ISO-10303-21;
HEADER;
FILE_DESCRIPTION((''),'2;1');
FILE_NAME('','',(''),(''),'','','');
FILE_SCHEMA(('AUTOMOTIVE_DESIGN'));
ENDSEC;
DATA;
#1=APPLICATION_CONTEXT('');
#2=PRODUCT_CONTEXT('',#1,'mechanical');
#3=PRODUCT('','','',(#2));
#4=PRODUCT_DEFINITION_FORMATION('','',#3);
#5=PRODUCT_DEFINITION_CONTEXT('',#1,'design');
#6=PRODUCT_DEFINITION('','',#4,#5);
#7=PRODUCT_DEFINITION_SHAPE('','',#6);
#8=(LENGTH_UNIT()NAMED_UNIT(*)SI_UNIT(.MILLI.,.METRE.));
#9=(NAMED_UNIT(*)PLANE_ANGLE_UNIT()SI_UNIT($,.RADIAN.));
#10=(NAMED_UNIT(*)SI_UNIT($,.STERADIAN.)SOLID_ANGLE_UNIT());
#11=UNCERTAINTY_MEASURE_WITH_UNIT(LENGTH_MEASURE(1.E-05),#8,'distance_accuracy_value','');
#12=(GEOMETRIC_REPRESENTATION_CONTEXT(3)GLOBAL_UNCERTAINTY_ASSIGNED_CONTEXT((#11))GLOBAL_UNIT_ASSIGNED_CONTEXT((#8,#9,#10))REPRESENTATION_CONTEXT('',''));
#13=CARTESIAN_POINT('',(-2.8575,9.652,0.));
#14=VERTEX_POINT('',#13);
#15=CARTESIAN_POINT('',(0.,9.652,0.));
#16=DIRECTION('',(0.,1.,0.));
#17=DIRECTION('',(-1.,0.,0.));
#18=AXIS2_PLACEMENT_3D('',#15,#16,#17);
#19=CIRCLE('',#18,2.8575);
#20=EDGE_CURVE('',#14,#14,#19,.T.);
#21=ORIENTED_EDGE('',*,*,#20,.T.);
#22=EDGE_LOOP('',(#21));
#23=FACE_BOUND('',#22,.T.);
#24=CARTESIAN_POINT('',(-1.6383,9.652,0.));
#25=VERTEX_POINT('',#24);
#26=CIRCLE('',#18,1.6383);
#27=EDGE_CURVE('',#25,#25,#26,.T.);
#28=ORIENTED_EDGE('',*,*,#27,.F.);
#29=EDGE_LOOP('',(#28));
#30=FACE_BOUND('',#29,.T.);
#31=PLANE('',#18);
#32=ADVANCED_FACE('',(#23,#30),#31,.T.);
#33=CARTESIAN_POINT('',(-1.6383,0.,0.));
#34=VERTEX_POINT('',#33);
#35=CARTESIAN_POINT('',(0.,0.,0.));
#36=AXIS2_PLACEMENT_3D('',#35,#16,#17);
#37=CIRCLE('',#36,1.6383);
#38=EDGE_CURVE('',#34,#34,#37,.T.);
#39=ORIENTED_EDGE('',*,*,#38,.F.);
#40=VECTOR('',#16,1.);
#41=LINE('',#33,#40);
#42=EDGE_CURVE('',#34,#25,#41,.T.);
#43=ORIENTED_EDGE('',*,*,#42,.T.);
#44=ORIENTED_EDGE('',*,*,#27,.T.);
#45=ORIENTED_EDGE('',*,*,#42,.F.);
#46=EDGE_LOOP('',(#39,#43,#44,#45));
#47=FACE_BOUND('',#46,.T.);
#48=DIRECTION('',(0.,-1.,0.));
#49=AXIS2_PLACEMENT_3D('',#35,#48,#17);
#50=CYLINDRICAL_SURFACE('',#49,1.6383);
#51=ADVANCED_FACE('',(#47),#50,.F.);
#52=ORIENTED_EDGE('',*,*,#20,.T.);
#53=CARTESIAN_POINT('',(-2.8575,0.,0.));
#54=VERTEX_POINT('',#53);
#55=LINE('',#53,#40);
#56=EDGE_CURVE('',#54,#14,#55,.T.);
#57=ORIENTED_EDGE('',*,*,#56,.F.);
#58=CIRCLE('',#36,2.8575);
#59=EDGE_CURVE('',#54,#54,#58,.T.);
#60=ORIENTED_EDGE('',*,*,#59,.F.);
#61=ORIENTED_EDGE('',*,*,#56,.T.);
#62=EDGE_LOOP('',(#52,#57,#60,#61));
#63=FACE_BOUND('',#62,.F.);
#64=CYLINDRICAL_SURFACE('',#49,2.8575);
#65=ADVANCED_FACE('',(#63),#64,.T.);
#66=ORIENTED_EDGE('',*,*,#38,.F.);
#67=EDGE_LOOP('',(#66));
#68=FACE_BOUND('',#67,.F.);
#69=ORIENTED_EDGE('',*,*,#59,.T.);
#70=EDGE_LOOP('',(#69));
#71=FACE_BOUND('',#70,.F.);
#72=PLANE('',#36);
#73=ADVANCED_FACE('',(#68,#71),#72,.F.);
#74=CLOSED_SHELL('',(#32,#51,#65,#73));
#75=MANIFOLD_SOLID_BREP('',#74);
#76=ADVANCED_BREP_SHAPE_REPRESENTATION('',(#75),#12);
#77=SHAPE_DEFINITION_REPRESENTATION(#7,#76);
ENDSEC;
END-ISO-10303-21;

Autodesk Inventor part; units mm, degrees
ref_plane "YZ Plane" through (0, 0, 0) normal (1, 0, 0) x (0, 1, 0)
ref_plane "XZ Plane" through (0, 0, 0) normal (0, 1, 0) x (-1, 0, 0)
ref_plane "XY Plane" through (0, 0, 0) normal (0, 0, 1) x (1, 0, 0)
sketch "Sketch1" plane through (0, 0, 0) normal (0, 1, 0) x (-1, 0, 0)
  circle A0 centre (0, 0) radius 1.6383
  circle A1 centre (0, 0) radius 2.8575
  dimension "d0" = 3.2766
  dimension "d1" = 5.715
extrude "Extrusion1" add sketch "Sketch1" along normal blind 9.652
properties part number "wheelbushing"
